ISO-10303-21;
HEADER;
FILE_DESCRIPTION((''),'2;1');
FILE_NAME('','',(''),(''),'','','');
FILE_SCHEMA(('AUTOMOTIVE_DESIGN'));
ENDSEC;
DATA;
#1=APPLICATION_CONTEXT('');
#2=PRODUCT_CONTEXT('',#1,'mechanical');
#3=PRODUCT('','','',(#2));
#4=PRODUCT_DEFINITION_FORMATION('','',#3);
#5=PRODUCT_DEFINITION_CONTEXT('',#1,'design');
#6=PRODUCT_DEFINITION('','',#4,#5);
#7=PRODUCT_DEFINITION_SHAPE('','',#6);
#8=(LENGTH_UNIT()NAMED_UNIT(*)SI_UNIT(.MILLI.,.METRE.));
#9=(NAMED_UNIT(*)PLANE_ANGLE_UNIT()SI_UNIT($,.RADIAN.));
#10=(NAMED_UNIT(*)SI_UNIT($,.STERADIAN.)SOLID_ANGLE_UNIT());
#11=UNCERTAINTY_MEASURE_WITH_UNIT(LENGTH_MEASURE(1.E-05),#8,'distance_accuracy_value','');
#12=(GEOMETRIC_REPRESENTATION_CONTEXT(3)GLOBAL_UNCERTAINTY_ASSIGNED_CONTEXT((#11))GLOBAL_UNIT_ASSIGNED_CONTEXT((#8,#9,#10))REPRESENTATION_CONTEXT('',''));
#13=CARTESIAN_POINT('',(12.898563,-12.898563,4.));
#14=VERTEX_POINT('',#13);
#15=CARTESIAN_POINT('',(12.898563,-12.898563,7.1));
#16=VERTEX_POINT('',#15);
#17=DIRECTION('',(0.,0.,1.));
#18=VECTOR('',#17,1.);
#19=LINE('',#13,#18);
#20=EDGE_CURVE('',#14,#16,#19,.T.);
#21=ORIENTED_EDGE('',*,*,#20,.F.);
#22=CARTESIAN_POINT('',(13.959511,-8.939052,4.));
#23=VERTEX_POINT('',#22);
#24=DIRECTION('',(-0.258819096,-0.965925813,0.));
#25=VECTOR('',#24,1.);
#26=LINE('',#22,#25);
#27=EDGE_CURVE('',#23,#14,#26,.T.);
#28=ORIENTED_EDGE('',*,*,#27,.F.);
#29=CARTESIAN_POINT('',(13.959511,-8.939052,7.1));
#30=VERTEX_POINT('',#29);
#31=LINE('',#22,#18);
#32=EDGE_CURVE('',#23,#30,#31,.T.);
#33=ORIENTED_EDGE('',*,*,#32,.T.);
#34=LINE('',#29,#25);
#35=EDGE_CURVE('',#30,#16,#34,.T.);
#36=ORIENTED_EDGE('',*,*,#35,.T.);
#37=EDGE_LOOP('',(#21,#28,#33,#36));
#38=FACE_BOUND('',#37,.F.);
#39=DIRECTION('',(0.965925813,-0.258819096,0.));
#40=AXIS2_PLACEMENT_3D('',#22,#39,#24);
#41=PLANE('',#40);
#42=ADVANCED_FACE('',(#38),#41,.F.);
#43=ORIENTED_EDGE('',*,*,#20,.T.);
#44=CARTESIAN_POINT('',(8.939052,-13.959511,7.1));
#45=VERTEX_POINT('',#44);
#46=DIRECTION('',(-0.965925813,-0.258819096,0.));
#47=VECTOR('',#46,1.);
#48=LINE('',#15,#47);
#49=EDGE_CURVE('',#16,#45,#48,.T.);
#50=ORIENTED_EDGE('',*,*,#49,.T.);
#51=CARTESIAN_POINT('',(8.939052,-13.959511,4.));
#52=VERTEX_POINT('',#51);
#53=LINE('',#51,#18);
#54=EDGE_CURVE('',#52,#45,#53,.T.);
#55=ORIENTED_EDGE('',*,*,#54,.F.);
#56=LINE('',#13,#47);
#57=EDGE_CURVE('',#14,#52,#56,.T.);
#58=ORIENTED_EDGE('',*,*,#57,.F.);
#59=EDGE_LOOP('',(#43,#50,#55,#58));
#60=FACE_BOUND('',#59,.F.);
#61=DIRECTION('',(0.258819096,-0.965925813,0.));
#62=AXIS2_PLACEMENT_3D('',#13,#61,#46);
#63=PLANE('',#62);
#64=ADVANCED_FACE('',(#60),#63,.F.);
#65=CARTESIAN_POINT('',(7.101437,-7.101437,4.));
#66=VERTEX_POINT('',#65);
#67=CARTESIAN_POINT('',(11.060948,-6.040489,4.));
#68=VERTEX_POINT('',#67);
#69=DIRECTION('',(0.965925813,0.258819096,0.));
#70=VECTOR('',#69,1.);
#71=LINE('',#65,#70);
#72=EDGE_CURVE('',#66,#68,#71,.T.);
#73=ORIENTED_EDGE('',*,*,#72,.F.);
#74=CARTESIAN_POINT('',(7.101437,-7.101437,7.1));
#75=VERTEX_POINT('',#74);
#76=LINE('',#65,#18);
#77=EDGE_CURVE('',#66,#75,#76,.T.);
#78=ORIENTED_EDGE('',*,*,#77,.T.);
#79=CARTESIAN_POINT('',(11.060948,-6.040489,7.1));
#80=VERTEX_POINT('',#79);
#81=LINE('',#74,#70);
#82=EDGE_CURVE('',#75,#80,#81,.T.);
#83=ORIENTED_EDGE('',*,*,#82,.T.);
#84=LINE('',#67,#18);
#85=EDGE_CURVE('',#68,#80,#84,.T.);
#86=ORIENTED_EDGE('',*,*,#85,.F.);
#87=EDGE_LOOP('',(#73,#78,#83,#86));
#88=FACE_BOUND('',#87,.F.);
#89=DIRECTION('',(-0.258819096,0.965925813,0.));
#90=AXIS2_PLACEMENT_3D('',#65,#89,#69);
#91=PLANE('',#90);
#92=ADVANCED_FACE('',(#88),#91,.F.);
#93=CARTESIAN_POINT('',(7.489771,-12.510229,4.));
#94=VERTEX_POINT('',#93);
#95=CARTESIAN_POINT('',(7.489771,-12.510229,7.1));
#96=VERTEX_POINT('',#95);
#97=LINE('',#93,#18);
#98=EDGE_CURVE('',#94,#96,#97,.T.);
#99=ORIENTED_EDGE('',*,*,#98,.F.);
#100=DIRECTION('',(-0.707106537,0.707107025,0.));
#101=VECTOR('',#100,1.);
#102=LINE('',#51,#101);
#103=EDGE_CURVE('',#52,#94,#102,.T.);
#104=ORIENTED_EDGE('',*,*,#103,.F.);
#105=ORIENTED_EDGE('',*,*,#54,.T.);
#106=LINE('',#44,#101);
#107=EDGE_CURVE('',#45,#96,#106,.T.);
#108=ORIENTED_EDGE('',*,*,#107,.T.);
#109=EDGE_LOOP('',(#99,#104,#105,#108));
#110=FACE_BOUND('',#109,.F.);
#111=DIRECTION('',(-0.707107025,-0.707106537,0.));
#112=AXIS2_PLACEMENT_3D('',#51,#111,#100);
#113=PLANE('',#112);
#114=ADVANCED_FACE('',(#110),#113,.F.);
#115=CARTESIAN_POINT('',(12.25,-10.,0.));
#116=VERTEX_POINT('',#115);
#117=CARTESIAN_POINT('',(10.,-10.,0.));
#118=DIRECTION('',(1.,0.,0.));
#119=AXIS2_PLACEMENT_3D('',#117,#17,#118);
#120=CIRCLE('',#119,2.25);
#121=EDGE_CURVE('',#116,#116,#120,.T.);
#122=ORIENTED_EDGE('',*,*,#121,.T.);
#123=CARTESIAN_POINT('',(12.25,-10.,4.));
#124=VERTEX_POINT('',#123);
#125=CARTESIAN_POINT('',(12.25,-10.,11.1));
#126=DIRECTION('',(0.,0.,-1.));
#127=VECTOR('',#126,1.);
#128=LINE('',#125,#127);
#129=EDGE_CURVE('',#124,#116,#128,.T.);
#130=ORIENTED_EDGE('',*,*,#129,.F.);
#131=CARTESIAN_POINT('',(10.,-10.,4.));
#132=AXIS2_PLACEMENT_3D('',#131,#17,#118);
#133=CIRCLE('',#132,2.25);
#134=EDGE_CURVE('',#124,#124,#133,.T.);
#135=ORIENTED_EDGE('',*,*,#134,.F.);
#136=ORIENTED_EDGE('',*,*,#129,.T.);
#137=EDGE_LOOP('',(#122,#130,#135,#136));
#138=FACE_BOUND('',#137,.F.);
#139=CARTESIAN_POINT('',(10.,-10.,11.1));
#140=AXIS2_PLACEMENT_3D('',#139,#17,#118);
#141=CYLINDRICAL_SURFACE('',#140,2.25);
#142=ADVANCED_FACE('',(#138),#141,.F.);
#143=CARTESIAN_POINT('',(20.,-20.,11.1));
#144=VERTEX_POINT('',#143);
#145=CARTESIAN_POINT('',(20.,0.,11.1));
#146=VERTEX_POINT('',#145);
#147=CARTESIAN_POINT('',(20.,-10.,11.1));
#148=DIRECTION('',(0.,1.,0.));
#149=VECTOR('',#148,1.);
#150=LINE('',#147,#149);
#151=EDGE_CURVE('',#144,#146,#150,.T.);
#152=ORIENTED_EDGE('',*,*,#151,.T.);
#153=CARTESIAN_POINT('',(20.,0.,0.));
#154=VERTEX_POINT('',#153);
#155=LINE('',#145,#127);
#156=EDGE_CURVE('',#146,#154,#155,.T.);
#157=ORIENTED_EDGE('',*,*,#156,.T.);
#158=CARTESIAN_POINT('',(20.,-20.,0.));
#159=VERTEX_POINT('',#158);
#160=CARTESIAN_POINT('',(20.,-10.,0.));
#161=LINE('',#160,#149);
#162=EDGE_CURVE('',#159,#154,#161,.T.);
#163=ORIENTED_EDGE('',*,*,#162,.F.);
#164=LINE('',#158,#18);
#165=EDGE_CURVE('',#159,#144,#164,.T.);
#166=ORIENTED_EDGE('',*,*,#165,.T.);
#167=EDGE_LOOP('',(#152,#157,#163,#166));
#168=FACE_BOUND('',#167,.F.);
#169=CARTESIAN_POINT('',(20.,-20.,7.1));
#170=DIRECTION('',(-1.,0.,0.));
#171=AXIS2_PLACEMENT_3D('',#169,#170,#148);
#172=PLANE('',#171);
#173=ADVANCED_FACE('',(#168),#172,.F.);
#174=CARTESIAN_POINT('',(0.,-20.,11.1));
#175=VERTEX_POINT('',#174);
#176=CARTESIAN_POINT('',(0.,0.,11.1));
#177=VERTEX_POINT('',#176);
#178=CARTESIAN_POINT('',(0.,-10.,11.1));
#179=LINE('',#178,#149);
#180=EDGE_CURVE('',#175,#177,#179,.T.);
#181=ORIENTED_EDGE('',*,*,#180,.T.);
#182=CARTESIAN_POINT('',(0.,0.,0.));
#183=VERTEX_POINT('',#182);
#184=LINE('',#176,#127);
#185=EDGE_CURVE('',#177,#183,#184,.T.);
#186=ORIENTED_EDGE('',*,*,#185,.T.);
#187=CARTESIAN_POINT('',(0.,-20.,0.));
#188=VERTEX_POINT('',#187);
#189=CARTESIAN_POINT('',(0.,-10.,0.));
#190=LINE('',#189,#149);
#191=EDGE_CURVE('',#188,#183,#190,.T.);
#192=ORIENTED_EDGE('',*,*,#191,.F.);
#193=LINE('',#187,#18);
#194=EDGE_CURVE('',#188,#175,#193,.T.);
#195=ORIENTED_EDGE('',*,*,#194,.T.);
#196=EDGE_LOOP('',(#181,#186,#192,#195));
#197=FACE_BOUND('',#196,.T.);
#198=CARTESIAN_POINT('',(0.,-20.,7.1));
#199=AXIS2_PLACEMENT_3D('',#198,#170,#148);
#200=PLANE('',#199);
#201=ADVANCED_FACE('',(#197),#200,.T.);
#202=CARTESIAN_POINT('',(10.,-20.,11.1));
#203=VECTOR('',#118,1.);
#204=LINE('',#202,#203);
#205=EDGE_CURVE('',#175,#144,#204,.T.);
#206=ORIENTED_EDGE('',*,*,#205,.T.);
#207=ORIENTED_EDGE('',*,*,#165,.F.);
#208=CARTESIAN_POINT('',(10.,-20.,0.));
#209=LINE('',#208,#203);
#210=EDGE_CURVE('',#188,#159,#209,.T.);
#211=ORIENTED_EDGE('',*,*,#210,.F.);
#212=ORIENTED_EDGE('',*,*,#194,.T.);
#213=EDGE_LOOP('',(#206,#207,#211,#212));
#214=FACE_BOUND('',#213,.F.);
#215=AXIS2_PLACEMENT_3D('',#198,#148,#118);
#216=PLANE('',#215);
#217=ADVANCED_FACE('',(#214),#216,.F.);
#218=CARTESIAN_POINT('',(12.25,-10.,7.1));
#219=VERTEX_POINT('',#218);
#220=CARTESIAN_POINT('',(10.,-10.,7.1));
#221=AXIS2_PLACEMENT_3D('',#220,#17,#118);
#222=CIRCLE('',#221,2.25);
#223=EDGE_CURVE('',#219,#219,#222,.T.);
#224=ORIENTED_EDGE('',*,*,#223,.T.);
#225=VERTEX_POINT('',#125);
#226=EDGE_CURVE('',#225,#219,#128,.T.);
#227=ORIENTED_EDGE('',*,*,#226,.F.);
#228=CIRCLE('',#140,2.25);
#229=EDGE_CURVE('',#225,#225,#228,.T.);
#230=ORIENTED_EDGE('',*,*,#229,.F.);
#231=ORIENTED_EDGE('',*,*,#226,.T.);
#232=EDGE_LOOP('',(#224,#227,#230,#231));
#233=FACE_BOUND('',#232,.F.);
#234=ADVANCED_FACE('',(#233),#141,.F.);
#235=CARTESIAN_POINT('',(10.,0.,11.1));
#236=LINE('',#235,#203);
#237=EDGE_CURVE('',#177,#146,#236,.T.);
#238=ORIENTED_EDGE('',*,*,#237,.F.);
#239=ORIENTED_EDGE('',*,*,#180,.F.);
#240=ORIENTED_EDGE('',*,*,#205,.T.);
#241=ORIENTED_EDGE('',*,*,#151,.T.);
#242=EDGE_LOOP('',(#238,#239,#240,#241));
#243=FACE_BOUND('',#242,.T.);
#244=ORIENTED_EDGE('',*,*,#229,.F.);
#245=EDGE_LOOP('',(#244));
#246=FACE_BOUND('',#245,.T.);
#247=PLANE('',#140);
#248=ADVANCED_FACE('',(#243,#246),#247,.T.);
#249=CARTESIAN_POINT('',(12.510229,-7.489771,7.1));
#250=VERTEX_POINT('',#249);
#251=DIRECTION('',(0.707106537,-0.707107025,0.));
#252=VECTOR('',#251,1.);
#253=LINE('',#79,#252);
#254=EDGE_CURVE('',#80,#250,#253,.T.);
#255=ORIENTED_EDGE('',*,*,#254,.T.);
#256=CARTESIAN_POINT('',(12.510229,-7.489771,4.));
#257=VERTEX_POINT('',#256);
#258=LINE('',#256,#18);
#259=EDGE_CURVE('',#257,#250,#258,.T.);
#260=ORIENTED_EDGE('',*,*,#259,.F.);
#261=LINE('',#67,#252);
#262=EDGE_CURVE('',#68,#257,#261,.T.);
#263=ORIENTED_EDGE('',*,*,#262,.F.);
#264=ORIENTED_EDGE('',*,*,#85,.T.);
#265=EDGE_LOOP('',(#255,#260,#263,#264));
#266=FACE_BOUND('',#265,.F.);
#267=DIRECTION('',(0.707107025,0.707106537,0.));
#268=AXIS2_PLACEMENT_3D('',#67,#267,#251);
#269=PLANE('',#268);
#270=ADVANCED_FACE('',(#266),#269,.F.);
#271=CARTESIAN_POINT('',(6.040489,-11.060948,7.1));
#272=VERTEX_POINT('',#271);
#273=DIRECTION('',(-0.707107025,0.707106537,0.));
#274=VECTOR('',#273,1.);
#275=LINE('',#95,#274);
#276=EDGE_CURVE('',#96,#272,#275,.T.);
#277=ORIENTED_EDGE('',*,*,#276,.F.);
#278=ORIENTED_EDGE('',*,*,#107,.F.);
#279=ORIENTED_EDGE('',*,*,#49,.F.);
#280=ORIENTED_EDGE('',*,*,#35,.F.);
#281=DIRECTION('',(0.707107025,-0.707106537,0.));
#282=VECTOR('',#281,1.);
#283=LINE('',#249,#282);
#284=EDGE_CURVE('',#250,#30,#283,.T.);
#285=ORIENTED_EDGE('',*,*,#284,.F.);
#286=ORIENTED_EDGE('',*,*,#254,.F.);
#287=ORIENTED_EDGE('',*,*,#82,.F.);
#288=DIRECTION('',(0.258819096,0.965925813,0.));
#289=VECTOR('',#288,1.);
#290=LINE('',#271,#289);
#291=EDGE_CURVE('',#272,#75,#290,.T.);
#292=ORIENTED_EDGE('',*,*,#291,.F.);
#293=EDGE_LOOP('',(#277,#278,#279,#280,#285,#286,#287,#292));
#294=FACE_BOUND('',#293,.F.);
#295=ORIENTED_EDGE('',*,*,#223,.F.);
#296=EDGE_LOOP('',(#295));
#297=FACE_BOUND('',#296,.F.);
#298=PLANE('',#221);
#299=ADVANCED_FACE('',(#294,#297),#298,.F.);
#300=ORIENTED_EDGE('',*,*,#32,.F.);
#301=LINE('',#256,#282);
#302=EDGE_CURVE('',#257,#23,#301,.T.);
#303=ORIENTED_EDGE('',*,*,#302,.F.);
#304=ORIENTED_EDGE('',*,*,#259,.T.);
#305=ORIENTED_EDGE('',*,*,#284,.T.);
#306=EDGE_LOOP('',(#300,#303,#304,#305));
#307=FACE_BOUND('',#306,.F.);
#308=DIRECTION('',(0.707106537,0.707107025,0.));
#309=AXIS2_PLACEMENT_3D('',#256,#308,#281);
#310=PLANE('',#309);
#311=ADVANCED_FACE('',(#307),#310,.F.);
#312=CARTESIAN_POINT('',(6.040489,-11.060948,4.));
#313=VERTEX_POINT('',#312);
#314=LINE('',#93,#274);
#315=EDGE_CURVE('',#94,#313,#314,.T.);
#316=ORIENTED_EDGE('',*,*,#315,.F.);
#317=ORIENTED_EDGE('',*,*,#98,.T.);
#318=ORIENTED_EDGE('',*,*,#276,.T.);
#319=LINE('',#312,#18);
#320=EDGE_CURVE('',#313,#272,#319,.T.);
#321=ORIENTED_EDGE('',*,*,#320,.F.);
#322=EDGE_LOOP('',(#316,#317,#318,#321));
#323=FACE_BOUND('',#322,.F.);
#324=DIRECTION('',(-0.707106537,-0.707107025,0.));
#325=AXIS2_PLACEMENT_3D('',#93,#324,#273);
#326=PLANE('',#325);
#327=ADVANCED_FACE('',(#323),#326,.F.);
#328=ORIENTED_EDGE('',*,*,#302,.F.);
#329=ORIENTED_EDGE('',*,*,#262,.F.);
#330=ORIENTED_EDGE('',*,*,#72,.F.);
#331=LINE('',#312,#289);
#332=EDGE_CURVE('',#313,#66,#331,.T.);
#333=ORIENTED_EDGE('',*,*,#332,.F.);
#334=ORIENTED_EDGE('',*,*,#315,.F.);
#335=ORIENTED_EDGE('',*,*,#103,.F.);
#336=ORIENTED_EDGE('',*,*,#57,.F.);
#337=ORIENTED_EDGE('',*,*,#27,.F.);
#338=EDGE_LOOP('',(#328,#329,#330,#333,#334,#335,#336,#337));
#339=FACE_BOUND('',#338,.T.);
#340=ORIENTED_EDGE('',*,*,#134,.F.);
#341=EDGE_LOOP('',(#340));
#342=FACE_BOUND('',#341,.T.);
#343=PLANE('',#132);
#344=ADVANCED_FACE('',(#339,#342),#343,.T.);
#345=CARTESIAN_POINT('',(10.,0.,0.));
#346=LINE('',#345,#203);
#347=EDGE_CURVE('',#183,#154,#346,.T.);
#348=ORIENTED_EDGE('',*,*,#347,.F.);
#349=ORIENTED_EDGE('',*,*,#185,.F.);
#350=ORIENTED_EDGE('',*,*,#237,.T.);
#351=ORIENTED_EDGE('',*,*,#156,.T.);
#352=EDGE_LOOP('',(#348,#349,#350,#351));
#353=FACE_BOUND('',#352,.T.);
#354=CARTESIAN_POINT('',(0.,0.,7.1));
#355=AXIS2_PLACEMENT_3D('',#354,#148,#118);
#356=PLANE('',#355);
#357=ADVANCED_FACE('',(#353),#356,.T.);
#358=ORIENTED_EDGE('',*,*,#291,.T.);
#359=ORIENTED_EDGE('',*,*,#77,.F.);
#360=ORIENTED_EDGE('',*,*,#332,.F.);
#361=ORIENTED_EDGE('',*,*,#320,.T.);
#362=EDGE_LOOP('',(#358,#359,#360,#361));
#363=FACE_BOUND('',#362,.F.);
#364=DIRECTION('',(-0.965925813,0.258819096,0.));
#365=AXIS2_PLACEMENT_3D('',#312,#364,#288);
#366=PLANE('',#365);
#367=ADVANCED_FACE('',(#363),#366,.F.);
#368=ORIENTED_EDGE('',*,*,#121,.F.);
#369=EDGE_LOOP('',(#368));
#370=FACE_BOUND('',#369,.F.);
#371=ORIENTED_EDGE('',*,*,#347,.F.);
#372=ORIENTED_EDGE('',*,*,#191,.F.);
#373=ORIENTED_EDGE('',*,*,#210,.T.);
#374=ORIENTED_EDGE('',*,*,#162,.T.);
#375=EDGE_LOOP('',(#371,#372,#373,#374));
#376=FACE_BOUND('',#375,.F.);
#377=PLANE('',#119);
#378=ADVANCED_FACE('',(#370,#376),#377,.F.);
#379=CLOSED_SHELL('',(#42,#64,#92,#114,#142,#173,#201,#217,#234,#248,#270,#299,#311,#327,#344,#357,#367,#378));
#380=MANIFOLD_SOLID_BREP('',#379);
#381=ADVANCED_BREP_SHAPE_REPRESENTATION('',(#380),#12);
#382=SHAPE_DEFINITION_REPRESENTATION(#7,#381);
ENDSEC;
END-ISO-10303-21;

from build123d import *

# Parameters (mm, degrees)
F0_W     = 20
F0_H     = 20
F1_DEPTH = 4
F3_DEPTH = 3.1
F4_W     = 20
F4_H     = 20
F5_DEPTH = 4
F6_R     = 2.25
F7_DEPTH = 25


with BuildPart() as f1:
    # F0 (on Top) → F1 (new body)
    with BuildSketch(Plane.XY):
        with Locations((10, -10)):
            Rectangle(F0_W, F0_H)
    extrude(amount=F1_DEPTH)

    # F2 (on face) → F3 (join)
    with BuildSketch(Plane.XY.offset(4)):
        Polygon((20, 0), (0, 0), (7.101437, -7.101437), (11.060948, -6.040489), (12.510229, -7.489771), align=None)
        Polygon((12.898563, -12.898563), (20, -20), (20, 0), (12.510229, -7.489771), (13.959511, -8.939052), align=None)
        Polygon((0, 0), (0, -20), (7.489771, -12.510229), (6.040489, -11.060948), (7.101437, -7.101437), align=None)
        Polygon((7.489771, -12.510229), (0, -20), (20, -20), (12.898563, -12.898563), (8.939052, -13.959511), align=None)
    extrude(amount=F3_DEPTH)

    # F4 (on face) → F5 (join)
    with BuildSketch(Plane.XY.offset(7.1)):
        with Locations((10, -10)):
            Rectangle(F4_W, F4_H)
    extrude(amount=F5_DEPTH)

    # F6 (on face) → F7 (cut)
    with BuildSketch(Plane.XY.offset(11.1)):
        with Locations((10, -10)):
            Circle(F6_R)
    extrude(amount=-F7_DEPTH, mode=Mode.SUBTRACT)


solid = f1.part
